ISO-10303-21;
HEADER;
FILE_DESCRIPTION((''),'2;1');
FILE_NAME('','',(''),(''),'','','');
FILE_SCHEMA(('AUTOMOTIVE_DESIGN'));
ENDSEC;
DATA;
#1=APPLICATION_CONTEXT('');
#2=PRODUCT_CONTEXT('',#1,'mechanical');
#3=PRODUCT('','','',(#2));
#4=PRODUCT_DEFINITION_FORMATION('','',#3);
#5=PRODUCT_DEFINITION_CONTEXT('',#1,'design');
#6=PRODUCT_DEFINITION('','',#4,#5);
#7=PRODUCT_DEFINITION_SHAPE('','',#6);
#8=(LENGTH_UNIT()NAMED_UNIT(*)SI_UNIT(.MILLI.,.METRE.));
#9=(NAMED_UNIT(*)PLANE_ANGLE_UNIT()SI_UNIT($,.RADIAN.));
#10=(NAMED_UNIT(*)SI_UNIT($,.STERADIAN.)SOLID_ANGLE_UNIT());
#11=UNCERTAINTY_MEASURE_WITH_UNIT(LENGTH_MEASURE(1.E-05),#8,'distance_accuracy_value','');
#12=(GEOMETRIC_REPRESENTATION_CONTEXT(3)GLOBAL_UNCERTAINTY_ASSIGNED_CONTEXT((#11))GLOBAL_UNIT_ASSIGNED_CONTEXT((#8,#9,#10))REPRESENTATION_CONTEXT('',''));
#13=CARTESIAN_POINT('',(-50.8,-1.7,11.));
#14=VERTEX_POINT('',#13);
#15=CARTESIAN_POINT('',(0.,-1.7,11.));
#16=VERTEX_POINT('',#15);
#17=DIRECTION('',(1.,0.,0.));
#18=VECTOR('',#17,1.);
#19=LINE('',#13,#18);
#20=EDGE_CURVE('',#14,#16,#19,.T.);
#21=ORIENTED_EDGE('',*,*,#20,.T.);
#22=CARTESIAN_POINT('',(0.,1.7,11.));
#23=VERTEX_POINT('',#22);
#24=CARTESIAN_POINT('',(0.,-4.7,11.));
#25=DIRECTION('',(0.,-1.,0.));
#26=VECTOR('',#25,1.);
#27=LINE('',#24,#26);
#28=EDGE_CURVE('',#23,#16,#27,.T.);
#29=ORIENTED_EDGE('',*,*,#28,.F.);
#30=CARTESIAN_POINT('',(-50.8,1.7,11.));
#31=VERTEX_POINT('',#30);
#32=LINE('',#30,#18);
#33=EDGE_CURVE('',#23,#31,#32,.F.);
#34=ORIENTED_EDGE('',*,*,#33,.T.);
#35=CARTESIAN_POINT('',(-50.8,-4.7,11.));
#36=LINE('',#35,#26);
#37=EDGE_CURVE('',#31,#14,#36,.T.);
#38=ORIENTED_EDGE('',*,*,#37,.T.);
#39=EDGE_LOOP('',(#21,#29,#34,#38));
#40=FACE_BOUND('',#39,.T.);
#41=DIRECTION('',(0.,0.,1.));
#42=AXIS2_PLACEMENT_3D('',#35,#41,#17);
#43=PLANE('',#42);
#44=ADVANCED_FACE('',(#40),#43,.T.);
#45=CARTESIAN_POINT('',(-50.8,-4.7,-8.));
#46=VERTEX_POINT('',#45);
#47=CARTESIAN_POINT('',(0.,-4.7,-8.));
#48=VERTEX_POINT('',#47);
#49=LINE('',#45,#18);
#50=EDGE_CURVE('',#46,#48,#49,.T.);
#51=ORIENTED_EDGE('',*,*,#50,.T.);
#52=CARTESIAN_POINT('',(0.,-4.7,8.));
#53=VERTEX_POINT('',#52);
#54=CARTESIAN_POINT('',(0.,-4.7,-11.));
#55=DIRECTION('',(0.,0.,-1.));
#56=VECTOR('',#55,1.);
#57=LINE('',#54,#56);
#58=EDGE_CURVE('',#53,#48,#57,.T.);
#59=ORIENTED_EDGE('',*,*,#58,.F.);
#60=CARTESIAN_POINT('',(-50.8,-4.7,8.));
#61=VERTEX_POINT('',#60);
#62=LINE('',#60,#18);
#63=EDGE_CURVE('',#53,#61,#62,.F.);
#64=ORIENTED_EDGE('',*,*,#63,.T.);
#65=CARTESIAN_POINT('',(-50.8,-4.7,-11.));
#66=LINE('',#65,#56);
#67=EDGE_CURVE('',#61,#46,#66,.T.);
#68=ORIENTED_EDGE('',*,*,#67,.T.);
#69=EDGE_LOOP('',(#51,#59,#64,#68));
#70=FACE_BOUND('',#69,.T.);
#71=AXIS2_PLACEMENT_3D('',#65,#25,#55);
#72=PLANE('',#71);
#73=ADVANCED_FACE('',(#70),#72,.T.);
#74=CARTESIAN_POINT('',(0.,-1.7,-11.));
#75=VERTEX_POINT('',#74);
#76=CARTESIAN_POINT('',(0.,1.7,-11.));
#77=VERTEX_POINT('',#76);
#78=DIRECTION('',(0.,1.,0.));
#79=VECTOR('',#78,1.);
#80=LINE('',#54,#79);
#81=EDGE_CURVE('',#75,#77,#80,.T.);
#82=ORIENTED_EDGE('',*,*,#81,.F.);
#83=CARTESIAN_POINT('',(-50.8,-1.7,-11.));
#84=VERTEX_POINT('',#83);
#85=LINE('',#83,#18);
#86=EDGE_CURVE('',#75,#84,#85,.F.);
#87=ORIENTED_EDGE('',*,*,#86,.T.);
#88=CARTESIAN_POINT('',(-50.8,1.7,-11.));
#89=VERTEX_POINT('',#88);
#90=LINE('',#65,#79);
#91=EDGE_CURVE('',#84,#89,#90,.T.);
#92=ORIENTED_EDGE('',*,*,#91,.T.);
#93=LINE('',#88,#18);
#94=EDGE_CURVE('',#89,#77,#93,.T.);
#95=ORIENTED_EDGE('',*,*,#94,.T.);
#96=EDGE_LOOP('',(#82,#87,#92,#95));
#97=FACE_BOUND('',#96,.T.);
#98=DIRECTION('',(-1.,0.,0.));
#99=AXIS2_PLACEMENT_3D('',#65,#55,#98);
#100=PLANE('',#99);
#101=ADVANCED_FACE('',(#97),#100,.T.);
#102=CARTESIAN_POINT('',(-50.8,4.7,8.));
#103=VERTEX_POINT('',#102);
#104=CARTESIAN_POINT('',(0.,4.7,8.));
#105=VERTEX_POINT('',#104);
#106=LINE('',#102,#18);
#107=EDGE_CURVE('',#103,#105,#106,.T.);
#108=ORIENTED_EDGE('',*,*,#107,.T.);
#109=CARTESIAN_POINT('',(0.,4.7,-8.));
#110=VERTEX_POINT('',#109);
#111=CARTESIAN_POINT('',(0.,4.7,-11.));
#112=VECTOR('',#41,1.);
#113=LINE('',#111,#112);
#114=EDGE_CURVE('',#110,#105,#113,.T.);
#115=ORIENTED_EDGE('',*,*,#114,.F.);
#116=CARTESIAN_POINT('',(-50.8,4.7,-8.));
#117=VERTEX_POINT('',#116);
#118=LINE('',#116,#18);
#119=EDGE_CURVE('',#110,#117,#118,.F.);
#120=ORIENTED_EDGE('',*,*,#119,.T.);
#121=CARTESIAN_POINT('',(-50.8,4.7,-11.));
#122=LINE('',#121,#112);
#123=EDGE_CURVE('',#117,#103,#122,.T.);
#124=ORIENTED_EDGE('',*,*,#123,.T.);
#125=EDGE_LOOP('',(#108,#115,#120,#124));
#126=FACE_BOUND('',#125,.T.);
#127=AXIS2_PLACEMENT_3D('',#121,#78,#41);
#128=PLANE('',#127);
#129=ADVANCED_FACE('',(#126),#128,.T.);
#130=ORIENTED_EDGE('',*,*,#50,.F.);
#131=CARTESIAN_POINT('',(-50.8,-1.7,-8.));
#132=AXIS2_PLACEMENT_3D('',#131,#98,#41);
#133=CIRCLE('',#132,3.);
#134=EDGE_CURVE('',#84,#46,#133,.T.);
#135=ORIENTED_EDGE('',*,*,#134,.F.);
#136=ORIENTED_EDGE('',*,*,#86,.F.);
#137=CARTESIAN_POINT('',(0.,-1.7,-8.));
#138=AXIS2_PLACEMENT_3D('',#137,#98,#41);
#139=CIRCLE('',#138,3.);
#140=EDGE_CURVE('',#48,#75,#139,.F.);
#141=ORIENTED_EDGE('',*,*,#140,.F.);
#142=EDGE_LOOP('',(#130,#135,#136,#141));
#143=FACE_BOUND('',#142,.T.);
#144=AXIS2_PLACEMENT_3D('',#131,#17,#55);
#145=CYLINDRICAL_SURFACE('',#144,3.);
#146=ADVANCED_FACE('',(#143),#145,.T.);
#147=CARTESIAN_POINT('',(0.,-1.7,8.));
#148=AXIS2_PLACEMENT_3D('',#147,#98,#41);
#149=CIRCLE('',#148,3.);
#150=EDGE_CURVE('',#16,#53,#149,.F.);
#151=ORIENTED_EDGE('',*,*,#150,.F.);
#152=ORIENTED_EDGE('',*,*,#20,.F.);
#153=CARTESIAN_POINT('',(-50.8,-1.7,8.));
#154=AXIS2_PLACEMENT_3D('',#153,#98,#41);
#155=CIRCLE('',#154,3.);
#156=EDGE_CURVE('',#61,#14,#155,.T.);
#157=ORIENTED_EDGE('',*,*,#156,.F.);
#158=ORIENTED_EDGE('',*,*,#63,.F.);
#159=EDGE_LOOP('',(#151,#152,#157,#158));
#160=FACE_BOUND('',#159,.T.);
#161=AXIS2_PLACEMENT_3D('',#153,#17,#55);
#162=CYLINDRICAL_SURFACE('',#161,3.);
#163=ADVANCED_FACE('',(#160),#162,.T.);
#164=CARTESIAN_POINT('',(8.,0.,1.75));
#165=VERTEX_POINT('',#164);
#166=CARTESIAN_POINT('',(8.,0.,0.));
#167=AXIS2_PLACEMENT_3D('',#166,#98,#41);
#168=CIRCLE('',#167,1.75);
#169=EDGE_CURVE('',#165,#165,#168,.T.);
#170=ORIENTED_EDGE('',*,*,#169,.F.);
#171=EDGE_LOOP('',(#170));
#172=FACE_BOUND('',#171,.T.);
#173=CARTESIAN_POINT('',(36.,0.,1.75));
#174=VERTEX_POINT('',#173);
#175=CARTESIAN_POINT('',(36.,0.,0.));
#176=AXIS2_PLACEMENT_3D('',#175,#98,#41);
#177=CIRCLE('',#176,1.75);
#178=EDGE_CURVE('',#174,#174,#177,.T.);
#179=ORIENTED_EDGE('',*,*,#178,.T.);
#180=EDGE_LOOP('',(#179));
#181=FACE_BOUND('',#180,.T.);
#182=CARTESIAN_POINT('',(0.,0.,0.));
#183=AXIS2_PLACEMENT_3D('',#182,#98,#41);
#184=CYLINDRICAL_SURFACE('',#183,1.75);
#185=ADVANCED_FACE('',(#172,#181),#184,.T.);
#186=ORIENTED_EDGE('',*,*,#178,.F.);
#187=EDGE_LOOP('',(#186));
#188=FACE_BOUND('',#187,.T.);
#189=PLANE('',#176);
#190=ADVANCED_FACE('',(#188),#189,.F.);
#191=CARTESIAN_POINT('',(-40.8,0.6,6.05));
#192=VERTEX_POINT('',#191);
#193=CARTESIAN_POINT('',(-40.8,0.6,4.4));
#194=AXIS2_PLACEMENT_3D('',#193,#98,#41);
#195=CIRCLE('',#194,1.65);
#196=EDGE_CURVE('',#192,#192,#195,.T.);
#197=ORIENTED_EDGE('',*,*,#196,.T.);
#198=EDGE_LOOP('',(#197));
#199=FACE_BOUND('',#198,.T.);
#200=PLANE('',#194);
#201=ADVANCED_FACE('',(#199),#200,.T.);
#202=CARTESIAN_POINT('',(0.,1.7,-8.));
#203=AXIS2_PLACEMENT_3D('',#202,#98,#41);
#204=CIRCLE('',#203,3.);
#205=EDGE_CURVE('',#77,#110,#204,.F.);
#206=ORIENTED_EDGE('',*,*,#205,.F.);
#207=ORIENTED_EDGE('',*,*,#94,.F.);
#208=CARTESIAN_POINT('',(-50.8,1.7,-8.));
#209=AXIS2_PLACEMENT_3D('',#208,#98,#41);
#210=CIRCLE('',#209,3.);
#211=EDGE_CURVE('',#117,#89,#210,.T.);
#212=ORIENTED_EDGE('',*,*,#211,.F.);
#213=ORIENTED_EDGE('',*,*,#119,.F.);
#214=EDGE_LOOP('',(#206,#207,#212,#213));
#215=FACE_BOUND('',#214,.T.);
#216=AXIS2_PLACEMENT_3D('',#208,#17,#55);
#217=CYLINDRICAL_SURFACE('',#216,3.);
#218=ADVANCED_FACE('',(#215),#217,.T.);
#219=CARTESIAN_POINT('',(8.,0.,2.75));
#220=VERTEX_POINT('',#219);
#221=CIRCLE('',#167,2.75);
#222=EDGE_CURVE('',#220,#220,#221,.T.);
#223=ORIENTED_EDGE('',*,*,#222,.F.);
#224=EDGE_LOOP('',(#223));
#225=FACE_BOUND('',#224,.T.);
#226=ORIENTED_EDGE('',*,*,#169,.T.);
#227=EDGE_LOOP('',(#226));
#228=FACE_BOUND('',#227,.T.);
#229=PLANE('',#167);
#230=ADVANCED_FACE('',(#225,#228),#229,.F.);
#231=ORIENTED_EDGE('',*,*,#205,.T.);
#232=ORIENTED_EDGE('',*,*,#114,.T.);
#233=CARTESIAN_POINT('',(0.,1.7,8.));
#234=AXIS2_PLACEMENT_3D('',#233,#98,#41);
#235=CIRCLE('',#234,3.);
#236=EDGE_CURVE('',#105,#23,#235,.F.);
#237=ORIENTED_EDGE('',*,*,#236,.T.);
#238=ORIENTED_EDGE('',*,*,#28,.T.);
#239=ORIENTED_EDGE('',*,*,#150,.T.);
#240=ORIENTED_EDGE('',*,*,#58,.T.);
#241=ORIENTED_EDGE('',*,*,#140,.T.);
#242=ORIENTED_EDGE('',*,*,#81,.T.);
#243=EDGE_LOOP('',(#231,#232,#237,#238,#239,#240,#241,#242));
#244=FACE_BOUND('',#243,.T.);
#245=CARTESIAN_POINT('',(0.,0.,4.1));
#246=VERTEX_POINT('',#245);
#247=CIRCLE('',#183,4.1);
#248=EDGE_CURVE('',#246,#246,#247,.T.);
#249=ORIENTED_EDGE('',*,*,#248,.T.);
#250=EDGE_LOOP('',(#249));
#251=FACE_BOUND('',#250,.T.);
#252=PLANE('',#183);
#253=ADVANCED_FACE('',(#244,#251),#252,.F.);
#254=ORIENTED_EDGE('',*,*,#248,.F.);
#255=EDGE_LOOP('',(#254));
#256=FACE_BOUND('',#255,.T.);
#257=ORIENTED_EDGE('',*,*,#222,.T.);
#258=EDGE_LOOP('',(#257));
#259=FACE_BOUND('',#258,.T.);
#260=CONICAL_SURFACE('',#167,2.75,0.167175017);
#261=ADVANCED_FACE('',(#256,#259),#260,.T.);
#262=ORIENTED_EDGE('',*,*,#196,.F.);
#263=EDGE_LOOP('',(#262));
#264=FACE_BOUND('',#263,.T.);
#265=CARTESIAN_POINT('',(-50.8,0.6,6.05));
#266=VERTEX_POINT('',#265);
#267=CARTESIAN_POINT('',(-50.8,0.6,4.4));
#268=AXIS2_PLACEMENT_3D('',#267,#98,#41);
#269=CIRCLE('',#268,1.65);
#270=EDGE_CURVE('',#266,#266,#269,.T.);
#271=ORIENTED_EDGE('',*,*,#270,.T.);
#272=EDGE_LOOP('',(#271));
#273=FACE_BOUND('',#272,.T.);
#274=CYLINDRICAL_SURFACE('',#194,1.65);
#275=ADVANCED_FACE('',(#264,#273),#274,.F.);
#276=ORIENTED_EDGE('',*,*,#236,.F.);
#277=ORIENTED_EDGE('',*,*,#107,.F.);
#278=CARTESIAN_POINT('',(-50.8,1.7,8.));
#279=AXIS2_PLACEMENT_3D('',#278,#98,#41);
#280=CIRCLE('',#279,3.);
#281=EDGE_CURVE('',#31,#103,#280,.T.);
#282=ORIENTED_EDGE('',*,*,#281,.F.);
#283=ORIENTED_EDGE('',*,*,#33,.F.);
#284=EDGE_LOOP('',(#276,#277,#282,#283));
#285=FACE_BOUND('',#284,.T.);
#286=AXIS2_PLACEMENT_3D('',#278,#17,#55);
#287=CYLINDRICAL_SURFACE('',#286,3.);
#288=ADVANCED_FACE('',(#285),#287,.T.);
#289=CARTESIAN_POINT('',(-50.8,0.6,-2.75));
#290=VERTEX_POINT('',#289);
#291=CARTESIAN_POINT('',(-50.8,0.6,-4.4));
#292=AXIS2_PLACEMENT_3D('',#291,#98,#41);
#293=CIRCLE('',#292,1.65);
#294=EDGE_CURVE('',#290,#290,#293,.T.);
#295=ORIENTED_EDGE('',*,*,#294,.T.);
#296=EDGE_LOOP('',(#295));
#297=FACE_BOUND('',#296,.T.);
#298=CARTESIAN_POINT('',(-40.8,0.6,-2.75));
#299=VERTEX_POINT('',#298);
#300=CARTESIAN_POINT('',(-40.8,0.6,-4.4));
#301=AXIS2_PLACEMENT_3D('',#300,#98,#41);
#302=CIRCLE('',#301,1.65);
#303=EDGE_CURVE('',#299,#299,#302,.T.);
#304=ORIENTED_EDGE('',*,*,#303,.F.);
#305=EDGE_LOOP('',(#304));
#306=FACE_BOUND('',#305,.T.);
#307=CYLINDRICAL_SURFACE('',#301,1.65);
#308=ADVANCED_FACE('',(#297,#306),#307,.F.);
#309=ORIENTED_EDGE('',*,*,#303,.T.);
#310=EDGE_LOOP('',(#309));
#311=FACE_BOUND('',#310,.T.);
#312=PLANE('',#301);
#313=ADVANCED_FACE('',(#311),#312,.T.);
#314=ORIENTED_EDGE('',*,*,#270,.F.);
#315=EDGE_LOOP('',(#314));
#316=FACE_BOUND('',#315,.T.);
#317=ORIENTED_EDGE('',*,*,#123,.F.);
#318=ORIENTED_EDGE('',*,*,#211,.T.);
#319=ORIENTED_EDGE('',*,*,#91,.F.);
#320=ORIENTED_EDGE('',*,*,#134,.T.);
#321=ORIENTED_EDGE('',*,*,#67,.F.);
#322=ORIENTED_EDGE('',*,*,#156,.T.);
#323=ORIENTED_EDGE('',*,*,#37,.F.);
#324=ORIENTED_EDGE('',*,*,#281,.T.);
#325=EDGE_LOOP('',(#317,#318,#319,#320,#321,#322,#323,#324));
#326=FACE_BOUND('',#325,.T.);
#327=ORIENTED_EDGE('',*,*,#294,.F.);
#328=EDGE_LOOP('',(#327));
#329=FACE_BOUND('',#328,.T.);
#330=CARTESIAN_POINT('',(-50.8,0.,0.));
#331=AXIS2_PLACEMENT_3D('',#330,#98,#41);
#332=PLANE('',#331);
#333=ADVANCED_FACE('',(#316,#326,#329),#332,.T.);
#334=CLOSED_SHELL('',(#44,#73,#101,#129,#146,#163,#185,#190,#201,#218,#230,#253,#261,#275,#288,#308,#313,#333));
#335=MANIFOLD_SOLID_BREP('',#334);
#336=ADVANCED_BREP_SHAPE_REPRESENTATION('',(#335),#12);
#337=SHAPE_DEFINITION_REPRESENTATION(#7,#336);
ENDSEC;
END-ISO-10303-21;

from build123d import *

# Parameters (mm, degrees)
SKETCH_1_W          = 22
SKETCH_1_H          = 9.4
EXTRUDE_1_DEPTH     = 50.8
FILLET_1_R          = 3
SKETCH_4_R          = 1.65
CUT_EXTRUDE_1_DEPTH = 10


with BuildPart() as part:
    # Эскиз1 → Бобышка-Вытянуть1 (new body)
    with BuildSketch(Plane(origin=(0, 0, 0), x_dir=(0, 0, -1), z_dir=(1, 0, 0))):
        Rectangle(SKETCH_1_W, SKETCH_1_H)
    extrude(amount=-EXTRUDE_1_DEPTH)

    # Эскиз3 → Повернуть1 (revolve)
    with BuildSketch(Plane(origin=(0, 0, 0), x_dir=(1, 0, 0), z_dir=(0, 1, 0))):
        Polygon((8, 2.75), (0, 4.1), (0, 0), (36, 0), (36, 1.75), (8, 1.75), align=None)
    revolve(axis=Axis((0, 0, 0), (1, 0, 0)))

    # Скругление1
    fillet_1_edges = [part.edges().sort_by_distance(p)[0] for p in [
        (-25.4, -4.7, 11),
        (-25.4, 4.7, 11),
        (-25.4, 4.7, -11),
        (-25.4, -4.7, -11),
    ]]
    fillet(fillet_1_edges, radius=FILLET_1_R)

    # Эскиз4 → Вырез-Вытянуть1 (cut)
    with BuildSketch(Plane.ZY.offset(50.8)):
        with Locations((-4.4, 0.6)):
            Circle(SKETCH_4_R)
        with Locations((4.4, 0.6)):
            Circle(SKETCH_4_R)
    extrude(amount=-CUT_EXTRUDE_1_DEPTH, mode=Mode.SUBTRACT)


solid = part.part
